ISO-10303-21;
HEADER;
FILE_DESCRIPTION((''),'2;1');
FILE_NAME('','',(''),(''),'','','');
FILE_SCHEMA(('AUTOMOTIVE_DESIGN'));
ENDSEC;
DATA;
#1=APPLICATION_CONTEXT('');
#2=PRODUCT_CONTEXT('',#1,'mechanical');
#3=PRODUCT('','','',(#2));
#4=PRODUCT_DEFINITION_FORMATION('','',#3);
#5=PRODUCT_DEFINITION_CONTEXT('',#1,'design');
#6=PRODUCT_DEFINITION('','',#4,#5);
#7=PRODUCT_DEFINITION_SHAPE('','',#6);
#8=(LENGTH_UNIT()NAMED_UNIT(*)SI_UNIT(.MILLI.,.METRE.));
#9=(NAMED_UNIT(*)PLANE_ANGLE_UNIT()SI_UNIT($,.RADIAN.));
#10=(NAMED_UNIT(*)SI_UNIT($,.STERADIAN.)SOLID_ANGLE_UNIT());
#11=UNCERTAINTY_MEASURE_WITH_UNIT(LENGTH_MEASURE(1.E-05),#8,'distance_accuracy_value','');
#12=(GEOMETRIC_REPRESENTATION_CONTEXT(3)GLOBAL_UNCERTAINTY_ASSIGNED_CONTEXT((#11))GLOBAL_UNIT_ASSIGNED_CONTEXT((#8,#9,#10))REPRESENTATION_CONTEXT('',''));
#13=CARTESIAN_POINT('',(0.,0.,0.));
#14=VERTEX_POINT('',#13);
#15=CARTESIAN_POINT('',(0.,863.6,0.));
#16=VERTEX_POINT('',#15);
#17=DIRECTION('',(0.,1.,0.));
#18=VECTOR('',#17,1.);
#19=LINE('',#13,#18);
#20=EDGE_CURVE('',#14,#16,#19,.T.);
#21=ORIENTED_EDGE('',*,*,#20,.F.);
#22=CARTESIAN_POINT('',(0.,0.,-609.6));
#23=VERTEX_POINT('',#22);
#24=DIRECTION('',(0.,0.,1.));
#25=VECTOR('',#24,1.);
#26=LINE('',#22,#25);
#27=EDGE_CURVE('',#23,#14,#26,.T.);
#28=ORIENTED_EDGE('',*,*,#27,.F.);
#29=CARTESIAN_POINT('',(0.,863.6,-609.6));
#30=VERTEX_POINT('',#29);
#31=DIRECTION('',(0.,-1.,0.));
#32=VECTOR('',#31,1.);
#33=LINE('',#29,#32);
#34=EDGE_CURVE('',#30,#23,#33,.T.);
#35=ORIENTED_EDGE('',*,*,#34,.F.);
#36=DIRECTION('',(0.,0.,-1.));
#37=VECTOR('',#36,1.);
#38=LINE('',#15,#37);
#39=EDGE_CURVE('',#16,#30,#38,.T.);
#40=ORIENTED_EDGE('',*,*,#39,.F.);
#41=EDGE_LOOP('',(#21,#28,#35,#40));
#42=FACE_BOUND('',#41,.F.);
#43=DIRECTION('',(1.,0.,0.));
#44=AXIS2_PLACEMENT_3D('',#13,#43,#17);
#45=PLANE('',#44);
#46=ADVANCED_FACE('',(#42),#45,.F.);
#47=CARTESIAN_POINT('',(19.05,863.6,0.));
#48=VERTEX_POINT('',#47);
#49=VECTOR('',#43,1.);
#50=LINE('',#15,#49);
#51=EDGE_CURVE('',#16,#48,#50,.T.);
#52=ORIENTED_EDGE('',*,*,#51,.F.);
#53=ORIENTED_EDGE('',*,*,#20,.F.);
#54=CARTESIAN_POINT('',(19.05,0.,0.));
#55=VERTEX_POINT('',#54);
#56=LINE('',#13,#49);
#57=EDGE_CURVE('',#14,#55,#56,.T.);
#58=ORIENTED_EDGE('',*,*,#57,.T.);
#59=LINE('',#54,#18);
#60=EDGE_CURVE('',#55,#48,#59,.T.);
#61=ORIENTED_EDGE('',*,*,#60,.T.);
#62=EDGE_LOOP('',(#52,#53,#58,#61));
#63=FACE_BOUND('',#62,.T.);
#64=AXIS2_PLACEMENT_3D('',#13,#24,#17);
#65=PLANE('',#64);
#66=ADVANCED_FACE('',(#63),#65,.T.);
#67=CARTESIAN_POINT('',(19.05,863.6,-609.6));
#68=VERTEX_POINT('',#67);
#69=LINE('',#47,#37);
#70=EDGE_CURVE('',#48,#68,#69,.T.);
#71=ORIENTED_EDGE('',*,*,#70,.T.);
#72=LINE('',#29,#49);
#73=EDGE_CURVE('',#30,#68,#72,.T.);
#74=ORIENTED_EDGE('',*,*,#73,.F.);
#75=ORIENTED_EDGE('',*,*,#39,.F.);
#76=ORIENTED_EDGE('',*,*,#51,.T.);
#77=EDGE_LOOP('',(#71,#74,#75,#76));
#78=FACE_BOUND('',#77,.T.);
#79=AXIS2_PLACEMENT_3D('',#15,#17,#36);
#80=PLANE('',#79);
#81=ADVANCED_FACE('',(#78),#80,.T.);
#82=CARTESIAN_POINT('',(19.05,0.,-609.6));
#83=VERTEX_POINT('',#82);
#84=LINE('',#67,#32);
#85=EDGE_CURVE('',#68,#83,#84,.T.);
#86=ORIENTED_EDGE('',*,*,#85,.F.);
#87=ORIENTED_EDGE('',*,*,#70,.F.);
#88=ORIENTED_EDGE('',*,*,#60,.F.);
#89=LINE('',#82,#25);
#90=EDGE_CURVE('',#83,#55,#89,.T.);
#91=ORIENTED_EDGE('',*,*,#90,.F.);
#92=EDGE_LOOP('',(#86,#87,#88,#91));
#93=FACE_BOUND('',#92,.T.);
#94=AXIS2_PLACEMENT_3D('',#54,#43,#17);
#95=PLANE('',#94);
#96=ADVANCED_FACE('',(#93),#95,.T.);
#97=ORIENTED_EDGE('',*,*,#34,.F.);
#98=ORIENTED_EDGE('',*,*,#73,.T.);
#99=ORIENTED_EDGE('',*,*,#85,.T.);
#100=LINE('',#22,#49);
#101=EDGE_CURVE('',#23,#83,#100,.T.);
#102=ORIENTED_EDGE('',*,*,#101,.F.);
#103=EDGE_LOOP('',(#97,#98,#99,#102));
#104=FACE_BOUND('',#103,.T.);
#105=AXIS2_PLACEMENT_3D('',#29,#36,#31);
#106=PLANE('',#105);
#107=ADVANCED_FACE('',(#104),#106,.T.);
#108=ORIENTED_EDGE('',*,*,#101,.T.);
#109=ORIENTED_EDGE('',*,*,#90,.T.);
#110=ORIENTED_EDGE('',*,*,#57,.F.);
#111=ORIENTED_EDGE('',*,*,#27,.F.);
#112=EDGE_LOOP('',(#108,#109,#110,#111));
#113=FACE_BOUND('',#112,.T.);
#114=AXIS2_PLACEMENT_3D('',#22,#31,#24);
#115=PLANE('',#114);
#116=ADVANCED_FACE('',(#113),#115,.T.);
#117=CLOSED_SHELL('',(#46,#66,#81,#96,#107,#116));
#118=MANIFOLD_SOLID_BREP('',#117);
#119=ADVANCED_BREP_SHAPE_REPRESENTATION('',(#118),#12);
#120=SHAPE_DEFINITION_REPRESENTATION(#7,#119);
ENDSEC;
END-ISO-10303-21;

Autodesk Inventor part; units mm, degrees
ref_plane "YZ Plane" through (0, 0, 0) normal (1, 0, 0) x (0, 1, 0)
ref_plane "XZ Plane" through (0, 0, 0) normal (0, 1, 0) x (-1, 0, 0)
ref_plane "XY Plane" through (0, 0, 0) normal (0, 0, 1) x (1, 0, 0)
sketch "Sketch1" plane through (0, 0, 0) normal (1, 0, 0) x (0, 1, 0)
  line L0 (0, 0) -> (863.6, 0)
  line L1 (863.6, 0) -> (863.6, -609.6)
  line L2 (863.6, -609.6) -> (0, -609.6)
  line L3 (0, -609.6) -> (0, 0)
  dimension "d1" = 863.6
  dimension "d2" = 609.6
extrude "Extrusion1" add sketch "Sketch1" along normal blind 19.05
properties part number "Plywood--0.75_x_34_x_23.25_in" material "Wood (Southern Pine)"
